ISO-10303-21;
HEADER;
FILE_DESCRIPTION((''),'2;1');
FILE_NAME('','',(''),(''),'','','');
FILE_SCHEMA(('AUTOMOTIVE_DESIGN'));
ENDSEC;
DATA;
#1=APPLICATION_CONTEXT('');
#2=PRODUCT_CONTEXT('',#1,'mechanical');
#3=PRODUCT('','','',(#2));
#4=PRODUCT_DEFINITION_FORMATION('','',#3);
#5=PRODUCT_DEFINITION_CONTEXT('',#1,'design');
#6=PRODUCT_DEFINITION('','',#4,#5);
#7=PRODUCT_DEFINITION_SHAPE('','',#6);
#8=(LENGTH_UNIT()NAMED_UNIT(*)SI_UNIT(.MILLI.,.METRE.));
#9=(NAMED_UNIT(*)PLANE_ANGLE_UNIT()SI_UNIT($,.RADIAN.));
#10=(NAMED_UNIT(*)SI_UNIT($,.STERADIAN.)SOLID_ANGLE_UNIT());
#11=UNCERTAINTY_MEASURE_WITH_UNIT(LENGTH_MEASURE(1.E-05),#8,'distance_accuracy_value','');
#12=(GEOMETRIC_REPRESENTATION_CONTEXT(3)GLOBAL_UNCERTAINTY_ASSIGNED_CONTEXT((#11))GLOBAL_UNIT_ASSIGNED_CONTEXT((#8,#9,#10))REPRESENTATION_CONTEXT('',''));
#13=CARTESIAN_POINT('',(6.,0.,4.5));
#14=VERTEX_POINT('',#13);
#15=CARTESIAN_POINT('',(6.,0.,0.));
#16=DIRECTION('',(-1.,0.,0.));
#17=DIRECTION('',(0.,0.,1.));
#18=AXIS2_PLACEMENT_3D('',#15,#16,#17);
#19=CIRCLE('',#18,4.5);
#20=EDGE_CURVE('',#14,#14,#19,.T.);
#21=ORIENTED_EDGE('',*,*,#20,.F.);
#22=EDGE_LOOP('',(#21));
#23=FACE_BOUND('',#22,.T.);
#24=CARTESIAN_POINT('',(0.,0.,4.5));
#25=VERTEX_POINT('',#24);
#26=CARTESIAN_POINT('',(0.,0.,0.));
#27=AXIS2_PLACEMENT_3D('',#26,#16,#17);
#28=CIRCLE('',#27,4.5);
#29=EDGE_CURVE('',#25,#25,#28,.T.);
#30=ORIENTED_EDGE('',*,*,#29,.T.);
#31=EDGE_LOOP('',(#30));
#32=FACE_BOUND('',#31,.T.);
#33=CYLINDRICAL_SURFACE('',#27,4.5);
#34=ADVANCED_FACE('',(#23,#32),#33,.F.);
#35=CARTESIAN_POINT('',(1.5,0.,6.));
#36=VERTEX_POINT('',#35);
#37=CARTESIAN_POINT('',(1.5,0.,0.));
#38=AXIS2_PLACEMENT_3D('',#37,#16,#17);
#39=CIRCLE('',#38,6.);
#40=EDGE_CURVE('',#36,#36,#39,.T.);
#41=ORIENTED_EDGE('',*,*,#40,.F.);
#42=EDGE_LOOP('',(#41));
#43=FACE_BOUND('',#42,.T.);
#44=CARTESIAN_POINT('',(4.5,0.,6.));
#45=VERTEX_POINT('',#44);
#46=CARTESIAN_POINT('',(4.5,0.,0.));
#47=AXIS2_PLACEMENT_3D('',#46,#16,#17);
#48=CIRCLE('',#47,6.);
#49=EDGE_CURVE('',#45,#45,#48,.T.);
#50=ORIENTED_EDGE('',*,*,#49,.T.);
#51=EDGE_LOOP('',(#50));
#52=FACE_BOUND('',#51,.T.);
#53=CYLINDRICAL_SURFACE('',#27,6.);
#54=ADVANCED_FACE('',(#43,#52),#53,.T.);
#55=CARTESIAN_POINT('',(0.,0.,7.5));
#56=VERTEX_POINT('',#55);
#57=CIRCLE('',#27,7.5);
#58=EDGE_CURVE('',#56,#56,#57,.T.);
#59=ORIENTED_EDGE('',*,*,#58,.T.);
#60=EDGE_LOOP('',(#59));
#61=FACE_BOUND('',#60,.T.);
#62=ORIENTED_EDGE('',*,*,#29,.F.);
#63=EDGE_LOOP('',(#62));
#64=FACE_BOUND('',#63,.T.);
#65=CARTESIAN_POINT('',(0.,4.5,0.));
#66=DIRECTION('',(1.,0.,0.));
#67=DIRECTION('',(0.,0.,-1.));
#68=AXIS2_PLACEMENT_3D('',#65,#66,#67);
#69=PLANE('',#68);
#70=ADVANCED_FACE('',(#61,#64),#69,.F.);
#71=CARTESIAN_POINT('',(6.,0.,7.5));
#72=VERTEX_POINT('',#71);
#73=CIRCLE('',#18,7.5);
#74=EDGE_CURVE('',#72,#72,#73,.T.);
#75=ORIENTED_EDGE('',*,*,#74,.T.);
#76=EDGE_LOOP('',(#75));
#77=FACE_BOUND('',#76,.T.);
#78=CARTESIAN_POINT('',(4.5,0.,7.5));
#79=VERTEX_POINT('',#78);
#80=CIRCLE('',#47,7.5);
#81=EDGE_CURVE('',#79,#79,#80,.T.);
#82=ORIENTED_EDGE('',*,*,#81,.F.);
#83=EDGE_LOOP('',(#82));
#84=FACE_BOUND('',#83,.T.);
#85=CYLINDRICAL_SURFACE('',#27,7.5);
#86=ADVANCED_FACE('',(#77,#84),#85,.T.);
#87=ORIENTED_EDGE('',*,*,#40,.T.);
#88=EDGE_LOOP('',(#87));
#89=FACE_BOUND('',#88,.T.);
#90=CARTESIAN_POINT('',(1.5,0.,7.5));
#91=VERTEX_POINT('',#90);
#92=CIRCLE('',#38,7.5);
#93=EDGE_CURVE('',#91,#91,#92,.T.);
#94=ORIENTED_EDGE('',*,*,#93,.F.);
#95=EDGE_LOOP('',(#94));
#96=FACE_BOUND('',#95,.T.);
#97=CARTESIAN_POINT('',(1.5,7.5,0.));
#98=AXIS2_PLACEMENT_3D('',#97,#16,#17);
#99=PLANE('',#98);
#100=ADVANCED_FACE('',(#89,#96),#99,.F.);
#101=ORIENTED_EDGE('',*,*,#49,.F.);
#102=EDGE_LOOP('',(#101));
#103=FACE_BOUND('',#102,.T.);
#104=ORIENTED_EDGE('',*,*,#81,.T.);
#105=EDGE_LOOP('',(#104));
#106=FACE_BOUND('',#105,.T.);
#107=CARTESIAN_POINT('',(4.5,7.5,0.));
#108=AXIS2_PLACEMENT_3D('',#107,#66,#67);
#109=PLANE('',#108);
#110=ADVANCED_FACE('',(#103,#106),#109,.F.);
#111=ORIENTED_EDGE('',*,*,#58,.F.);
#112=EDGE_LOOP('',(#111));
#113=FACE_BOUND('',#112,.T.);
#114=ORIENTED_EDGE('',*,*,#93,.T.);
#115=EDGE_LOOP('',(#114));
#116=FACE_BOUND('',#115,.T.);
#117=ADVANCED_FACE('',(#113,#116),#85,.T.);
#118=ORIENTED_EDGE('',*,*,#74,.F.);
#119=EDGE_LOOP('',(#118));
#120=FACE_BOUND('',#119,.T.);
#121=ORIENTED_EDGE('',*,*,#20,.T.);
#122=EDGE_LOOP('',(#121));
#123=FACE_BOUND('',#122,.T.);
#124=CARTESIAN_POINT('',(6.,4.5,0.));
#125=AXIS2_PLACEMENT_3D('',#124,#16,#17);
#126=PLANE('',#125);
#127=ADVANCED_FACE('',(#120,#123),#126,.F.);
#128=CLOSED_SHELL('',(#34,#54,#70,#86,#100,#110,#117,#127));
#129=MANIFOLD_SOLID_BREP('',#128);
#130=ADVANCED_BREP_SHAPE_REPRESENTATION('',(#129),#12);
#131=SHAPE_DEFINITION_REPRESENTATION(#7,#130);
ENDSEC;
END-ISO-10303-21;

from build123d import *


with BuildPart() as part:
    # ｽｹｯﾁ1 → 回転1 (revolve)
    with BuildSketch(Plane.XY, mode=Mode.PRIVATE) as revolve_1_sk:
        Polygon((4.5, 7.5), (6, 7.5), (6, 4.5), (0, 4.5), (0, 7.5), (1.5, 7.5), (1.5, 6), (4.5, 6), align=None)
    revolve(revolve_1_sk.sketch.rotate(Axis((0, 0, 0), (1, 0, 0)), 90), axis=Axis((0, 0, 0), (1, 0, 0)))


solid = part.part
